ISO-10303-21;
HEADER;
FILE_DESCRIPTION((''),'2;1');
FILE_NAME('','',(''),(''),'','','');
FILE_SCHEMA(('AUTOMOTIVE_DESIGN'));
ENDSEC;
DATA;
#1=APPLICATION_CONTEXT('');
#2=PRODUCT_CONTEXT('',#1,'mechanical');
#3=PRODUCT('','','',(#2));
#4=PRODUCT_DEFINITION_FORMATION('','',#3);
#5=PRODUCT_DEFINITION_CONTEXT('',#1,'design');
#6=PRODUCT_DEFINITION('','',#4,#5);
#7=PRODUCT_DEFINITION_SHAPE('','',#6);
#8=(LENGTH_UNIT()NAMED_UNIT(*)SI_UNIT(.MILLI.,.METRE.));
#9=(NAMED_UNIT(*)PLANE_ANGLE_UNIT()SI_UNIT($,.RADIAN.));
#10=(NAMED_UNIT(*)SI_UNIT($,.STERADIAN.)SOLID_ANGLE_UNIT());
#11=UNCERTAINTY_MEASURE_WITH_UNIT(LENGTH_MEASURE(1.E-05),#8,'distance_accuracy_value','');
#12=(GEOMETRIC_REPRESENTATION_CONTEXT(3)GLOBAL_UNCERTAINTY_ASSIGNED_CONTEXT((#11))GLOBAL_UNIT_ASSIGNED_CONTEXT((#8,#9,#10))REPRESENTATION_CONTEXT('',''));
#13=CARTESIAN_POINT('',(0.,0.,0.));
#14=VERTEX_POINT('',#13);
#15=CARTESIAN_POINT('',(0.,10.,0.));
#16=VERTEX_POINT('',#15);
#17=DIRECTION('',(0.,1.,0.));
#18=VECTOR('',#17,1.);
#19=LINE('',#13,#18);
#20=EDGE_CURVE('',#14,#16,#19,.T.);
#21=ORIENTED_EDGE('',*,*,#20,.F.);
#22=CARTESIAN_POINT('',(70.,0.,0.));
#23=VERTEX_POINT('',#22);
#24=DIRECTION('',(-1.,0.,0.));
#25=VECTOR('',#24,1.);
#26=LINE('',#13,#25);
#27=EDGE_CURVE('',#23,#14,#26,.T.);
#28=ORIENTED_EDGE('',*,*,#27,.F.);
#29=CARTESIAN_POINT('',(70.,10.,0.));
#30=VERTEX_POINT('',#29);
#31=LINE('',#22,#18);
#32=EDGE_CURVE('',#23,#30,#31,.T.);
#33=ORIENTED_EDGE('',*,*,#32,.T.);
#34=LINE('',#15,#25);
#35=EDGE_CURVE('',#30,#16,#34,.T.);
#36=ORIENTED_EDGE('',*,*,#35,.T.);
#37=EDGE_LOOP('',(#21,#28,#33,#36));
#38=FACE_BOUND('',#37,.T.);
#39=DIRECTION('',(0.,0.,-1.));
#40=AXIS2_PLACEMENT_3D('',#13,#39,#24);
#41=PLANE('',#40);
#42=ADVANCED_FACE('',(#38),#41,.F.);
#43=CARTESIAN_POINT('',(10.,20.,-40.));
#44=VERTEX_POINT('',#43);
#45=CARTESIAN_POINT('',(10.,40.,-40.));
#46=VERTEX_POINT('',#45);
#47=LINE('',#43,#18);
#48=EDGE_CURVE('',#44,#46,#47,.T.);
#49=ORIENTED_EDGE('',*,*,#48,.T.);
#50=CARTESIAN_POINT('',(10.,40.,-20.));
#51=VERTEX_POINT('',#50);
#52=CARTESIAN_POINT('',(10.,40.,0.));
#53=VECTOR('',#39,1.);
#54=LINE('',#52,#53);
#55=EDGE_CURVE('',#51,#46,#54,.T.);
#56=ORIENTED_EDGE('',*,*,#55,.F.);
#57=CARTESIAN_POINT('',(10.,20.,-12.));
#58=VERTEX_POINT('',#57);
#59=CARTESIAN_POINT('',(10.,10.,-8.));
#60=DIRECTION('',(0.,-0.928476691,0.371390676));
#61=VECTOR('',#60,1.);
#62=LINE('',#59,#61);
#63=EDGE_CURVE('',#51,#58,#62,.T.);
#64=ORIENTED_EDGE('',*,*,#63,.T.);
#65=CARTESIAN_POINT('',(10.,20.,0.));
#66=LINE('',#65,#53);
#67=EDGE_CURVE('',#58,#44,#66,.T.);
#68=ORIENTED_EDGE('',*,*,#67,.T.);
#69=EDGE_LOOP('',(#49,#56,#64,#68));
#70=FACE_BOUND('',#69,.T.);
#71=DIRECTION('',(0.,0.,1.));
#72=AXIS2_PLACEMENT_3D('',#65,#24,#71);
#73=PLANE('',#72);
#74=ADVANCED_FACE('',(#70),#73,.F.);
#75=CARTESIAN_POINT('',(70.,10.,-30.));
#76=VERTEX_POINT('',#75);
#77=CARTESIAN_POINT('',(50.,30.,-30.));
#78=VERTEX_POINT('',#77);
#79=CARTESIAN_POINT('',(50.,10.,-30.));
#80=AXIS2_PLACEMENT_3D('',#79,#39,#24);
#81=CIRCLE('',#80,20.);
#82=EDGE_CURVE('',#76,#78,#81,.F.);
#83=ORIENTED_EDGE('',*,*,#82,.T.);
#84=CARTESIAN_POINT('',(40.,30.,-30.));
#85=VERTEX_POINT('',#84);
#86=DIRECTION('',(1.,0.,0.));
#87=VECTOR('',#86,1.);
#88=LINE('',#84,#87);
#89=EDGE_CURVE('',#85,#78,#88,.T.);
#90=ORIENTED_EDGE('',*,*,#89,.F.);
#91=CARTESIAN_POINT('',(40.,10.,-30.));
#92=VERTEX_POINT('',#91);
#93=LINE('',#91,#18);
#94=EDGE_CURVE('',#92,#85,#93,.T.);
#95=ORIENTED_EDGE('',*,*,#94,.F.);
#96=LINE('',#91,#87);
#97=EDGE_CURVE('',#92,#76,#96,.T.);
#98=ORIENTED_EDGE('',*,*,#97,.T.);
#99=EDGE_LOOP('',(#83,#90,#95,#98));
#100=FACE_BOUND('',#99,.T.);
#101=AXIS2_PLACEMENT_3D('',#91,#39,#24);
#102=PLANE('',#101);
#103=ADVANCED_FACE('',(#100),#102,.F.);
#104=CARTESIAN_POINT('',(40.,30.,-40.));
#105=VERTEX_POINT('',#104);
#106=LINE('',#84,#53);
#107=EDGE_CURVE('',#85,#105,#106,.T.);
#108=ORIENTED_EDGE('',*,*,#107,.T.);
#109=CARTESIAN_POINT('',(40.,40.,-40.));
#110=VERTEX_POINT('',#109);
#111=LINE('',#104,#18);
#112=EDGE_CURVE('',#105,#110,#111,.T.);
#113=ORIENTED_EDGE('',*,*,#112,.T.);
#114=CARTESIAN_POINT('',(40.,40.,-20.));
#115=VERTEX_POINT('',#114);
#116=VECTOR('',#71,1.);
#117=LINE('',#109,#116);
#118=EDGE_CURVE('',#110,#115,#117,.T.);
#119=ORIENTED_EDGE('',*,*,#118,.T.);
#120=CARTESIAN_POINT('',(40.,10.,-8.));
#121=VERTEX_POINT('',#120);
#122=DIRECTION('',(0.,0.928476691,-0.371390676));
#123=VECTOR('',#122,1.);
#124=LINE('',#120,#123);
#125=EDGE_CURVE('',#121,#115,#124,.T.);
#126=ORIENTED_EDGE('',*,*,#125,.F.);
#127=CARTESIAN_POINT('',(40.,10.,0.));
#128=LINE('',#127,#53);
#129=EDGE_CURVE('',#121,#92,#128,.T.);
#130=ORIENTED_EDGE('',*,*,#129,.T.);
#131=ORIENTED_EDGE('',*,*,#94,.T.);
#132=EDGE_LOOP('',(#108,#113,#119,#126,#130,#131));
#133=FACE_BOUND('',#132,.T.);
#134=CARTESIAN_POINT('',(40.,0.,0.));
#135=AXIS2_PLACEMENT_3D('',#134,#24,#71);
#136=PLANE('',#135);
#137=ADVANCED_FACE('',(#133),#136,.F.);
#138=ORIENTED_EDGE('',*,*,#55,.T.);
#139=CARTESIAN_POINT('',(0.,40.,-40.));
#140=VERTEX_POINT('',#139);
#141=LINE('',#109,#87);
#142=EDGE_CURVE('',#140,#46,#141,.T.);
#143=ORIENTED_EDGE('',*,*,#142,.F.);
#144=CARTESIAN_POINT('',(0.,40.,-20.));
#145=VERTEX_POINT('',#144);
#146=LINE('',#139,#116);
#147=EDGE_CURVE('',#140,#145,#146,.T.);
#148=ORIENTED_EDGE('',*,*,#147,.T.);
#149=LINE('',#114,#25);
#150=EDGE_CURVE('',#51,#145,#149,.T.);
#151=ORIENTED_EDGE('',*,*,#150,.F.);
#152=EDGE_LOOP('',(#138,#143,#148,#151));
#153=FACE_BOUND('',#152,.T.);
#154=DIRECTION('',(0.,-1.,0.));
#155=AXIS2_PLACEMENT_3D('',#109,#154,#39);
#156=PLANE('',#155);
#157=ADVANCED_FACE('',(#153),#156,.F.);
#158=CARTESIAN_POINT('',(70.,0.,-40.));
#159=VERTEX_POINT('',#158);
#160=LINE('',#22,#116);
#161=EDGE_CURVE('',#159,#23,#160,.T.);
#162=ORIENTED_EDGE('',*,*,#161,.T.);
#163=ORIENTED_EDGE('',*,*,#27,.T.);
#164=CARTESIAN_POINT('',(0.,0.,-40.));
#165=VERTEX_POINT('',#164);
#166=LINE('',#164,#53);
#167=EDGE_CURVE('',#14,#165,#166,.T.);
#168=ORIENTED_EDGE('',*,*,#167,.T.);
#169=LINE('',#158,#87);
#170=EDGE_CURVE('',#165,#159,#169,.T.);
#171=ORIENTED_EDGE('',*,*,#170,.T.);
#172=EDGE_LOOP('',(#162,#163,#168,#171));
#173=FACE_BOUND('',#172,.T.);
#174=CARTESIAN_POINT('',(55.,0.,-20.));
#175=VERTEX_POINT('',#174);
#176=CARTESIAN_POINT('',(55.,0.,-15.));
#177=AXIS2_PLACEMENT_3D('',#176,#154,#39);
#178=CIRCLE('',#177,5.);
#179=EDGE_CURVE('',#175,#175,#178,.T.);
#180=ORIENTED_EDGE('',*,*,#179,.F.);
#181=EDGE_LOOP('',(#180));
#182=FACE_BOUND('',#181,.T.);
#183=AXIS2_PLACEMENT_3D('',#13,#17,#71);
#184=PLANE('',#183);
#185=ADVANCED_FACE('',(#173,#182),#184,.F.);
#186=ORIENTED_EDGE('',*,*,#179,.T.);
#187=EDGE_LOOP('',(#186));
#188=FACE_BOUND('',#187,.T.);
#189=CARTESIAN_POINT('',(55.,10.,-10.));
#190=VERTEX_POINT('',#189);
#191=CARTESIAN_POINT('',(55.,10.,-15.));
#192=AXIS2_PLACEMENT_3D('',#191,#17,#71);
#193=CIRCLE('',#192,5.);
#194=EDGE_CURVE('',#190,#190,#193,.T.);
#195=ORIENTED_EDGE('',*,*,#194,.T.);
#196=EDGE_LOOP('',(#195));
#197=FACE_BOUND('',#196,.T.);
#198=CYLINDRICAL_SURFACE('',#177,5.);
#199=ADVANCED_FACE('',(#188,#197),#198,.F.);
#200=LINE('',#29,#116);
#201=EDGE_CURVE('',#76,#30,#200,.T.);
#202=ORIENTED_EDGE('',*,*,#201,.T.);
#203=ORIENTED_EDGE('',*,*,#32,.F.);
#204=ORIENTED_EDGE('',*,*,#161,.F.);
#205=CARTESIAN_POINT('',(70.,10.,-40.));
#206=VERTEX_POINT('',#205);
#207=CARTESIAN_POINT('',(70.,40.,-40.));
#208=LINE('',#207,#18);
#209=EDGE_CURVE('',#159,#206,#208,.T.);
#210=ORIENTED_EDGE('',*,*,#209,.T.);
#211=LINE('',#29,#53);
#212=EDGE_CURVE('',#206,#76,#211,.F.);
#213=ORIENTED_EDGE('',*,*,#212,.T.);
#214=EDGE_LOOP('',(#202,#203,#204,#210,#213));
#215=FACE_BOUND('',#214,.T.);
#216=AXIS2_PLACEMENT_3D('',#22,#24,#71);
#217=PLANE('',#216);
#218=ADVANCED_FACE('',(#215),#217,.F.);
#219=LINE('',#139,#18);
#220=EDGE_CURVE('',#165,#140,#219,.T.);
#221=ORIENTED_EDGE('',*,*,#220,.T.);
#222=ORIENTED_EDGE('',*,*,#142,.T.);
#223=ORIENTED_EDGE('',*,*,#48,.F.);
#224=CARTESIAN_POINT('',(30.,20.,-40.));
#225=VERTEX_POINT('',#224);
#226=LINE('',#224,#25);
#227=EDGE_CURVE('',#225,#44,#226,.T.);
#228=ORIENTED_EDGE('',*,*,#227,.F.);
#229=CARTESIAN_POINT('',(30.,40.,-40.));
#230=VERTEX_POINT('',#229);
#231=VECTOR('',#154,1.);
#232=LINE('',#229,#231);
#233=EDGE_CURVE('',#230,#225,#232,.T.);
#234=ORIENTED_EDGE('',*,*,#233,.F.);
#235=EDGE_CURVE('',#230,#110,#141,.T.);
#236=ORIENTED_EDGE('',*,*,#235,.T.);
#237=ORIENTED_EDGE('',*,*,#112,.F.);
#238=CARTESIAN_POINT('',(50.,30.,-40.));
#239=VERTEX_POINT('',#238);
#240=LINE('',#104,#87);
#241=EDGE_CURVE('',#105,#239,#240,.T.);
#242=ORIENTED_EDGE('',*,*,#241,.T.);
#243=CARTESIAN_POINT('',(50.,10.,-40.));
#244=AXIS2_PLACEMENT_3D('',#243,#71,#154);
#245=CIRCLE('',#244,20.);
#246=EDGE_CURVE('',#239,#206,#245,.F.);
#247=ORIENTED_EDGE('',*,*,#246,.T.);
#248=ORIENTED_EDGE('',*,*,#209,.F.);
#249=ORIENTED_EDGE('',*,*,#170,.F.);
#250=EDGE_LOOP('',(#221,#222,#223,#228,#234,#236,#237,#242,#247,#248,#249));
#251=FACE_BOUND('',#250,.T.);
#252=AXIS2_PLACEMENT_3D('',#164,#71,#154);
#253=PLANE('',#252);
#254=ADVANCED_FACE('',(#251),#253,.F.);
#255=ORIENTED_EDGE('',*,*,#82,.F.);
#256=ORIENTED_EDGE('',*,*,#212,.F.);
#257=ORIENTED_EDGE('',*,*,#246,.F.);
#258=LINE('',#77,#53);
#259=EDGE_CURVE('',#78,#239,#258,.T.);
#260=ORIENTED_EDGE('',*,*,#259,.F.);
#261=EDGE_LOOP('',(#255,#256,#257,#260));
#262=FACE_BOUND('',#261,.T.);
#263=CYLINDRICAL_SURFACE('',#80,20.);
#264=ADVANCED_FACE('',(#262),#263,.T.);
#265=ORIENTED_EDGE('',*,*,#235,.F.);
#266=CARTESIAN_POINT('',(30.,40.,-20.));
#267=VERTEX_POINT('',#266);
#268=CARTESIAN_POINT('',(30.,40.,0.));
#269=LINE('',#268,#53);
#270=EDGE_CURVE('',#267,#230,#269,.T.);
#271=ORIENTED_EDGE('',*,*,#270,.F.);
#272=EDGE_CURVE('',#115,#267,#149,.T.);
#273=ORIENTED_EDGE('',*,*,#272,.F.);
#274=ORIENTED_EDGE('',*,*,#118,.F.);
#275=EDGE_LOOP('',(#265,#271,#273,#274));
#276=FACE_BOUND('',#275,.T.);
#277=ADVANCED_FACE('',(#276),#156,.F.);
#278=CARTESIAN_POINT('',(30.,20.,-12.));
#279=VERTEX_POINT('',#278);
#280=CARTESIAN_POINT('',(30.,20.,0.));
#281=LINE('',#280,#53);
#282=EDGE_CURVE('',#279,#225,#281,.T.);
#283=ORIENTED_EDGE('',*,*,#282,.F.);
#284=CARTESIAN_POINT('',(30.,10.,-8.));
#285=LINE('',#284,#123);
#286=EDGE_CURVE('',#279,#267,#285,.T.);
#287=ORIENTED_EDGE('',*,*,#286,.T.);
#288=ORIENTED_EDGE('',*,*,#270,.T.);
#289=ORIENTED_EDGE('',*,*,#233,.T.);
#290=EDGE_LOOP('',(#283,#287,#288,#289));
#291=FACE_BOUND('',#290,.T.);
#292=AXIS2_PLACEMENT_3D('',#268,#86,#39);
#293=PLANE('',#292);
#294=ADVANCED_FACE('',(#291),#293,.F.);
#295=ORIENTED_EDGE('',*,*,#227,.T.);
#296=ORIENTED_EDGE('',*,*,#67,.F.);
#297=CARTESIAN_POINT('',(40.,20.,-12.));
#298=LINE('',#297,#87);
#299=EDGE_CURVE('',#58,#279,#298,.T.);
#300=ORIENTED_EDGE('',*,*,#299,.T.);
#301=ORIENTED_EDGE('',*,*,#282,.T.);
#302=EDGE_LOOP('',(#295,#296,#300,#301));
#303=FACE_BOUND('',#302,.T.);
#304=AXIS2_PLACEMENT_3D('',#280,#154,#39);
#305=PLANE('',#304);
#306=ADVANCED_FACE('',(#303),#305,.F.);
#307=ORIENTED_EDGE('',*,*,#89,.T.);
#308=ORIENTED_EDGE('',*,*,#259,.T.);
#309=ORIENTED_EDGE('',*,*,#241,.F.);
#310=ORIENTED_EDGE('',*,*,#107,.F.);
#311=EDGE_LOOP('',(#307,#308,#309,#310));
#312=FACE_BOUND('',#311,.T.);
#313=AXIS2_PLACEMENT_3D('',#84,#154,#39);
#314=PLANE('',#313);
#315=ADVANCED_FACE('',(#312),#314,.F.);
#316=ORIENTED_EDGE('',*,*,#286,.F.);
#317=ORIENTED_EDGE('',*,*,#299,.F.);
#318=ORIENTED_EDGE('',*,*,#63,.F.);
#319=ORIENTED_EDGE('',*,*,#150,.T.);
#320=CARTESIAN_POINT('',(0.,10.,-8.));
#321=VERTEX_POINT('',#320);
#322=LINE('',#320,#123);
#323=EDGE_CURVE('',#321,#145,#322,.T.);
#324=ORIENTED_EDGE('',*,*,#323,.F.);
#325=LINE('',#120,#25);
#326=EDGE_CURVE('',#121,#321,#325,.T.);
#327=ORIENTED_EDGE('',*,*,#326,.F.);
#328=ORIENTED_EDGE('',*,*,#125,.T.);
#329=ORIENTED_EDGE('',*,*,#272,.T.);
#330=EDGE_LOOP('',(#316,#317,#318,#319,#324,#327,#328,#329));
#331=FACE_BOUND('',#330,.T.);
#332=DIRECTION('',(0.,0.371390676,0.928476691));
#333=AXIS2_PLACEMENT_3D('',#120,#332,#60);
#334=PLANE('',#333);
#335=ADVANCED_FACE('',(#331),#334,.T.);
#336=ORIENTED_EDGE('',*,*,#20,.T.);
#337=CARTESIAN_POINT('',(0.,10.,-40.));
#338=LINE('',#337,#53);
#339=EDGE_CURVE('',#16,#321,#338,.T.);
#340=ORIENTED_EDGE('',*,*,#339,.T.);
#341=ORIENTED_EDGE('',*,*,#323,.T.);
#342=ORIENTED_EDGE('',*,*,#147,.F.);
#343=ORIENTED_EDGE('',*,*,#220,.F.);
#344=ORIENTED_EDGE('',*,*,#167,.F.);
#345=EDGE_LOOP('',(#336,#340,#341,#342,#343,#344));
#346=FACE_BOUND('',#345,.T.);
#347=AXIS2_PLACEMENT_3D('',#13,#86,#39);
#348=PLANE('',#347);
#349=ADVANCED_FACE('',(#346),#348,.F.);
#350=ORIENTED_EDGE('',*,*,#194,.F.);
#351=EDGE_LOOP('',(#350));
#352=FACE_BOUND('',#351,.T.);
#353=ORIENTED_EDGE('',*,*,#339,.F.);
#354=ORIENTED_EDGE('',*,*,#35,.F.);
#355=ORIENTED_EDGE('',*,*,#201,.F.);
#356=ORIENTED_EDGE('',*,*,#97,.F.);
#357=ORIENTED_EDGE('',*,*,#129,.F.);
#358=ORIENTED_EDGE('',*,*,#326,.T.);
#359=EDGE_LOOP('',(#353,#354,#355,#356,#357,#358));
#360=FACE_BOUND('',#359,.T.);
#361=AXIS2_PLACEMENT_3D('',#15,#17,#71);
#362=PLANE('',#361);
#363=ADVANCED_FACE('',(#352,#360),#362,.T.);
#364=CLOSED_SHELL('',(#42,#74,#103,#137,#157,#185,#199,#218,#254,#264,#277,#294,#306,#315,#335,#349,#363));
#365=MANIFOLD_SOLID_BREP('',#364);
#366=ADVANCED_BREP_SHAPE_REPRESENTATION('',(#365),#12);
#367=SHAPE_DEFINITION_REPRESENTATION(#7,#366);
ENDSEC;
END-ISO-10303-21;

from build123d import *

# Parameters (mm, degrees)
BOSS_EXTRUDE1_DEPTH            = 40
SKETCH2_W                      = 40
SKETCH2_H                      = 30
BOSS_EXTRUDE2_DEPTH            = 20
BOSS_EXTRUDE3_DEPTH            = 30
CUT_EXTRUDE1_DEPTH             = 30
SKETCH5_W                      = 70
SKETCH5_H                      = 40
BOSS_EXTRUDE4_DEPTH            = 10
SKETCH6_W                      = 20
SKETCH6_H                      = 20
CUT_EXTRUDE2_DEPTH             = 41
F_10_0_10_DIAMETER_HOLE1_D     = 10
F_10_0_10_DIAMETER_HOLE1_DEPTH = 40
FILLET1_R                      = 20


with BuildPart() as part:
    # Sketch1 → Boss-Extrude1 (new body)
    with BuildSketch(Plane(origin=(0, 0, 0), x_dir=(0, -1, 0), z_dir=(-1, 0, 0))):
        Polygon((-10, -8), (-40, -20), (-10, -20), align=None)
    extrude(amount=-BOSS_EXTRUDE1_DEPTH)

    # Sketch2 → Boss-Extrude2 (add)
    with BuildSketch(Plane(origin=(0, 0, -20), x_dir=(-1, 0, 0), z_dir=(0, 0, -1))):
        with Locations((-20, 25)):
            Rectangle(SKETCH2_W, SKETCH2_H)
    extrude(amount=BOSS_EXTRUDE2_DEPTH)

    # Sketch3 → Boss-Extrude3 (add)
    with BuildSketch(Plane(origin=(40, 0, 0), x_dir=(0, 0, -1), z_dir=(1, 0, 0))):
        Polygon((40, 10), (0, 10), (20, 40), (40, 40), align=None)
    extrude(amount=BOSS_EXTRUDE3_DEPTH)

    # Sketch4 → Cut-Extrude1 (cut)
    with BuildSketch(Plane(origin=(70, 0, 0), x_dir=(0, 0, -1), z_dir=(1, 0, 0))):
        Polygon((20, 40), (0, 10), (30, 10), (30, 30), (40, 30), (40, 40), align=None)
    extrude(amount=-CUT_EXTRUDE1_DEPTH, mode=Mode.SUBTRACT)

    # Sketch5 → Boss-Extrude4 (add)
    with BuildSketch(Plane.XZ.offset(-10)):
        with Locations((35, -20)):
            Rectangle(SKETCH5_W, SKETCH5_H)
    extrude(amount=BOSS_EXTRUDE4_DEPTH)

    # Sketch6 → Cut-Extrude2 (cut, through all)
    with BuildSketch(Plane(origin=(0, 0, -40), x_dir=(-1, 0, 0), z_dir=(0, 0, -1))):
        with Locations((-20, 30)):
            Rectangle(SKETCH6_W, SKETCH6_H)
    extrude(amount=-CUT_EXTRUDE2_DEPTH, mode=Mode.SUBTRACT)

    # Ø10.0 (10) Diameter Hole1
    with Locations(Plane(origin=(0, 0, 0), x_dir=(-1, 0, 0), z_dir=(0, -1, 0))):
        with Locations((-55, 15)):
            Hole(F_10_0_10_DIAMETER_HOLE1_D / 2, depth=F_10_0_10_DIAMETER_HOLE1_DEPTH)

    # Fillet1
    fillet1_edges = [part.edges().sort_by_distance(p)[0] for p in [
        (70, 30, -35),
    ]]
    fillet(fillet1_edges, radius=FILLET1_R)


solid = part.part
